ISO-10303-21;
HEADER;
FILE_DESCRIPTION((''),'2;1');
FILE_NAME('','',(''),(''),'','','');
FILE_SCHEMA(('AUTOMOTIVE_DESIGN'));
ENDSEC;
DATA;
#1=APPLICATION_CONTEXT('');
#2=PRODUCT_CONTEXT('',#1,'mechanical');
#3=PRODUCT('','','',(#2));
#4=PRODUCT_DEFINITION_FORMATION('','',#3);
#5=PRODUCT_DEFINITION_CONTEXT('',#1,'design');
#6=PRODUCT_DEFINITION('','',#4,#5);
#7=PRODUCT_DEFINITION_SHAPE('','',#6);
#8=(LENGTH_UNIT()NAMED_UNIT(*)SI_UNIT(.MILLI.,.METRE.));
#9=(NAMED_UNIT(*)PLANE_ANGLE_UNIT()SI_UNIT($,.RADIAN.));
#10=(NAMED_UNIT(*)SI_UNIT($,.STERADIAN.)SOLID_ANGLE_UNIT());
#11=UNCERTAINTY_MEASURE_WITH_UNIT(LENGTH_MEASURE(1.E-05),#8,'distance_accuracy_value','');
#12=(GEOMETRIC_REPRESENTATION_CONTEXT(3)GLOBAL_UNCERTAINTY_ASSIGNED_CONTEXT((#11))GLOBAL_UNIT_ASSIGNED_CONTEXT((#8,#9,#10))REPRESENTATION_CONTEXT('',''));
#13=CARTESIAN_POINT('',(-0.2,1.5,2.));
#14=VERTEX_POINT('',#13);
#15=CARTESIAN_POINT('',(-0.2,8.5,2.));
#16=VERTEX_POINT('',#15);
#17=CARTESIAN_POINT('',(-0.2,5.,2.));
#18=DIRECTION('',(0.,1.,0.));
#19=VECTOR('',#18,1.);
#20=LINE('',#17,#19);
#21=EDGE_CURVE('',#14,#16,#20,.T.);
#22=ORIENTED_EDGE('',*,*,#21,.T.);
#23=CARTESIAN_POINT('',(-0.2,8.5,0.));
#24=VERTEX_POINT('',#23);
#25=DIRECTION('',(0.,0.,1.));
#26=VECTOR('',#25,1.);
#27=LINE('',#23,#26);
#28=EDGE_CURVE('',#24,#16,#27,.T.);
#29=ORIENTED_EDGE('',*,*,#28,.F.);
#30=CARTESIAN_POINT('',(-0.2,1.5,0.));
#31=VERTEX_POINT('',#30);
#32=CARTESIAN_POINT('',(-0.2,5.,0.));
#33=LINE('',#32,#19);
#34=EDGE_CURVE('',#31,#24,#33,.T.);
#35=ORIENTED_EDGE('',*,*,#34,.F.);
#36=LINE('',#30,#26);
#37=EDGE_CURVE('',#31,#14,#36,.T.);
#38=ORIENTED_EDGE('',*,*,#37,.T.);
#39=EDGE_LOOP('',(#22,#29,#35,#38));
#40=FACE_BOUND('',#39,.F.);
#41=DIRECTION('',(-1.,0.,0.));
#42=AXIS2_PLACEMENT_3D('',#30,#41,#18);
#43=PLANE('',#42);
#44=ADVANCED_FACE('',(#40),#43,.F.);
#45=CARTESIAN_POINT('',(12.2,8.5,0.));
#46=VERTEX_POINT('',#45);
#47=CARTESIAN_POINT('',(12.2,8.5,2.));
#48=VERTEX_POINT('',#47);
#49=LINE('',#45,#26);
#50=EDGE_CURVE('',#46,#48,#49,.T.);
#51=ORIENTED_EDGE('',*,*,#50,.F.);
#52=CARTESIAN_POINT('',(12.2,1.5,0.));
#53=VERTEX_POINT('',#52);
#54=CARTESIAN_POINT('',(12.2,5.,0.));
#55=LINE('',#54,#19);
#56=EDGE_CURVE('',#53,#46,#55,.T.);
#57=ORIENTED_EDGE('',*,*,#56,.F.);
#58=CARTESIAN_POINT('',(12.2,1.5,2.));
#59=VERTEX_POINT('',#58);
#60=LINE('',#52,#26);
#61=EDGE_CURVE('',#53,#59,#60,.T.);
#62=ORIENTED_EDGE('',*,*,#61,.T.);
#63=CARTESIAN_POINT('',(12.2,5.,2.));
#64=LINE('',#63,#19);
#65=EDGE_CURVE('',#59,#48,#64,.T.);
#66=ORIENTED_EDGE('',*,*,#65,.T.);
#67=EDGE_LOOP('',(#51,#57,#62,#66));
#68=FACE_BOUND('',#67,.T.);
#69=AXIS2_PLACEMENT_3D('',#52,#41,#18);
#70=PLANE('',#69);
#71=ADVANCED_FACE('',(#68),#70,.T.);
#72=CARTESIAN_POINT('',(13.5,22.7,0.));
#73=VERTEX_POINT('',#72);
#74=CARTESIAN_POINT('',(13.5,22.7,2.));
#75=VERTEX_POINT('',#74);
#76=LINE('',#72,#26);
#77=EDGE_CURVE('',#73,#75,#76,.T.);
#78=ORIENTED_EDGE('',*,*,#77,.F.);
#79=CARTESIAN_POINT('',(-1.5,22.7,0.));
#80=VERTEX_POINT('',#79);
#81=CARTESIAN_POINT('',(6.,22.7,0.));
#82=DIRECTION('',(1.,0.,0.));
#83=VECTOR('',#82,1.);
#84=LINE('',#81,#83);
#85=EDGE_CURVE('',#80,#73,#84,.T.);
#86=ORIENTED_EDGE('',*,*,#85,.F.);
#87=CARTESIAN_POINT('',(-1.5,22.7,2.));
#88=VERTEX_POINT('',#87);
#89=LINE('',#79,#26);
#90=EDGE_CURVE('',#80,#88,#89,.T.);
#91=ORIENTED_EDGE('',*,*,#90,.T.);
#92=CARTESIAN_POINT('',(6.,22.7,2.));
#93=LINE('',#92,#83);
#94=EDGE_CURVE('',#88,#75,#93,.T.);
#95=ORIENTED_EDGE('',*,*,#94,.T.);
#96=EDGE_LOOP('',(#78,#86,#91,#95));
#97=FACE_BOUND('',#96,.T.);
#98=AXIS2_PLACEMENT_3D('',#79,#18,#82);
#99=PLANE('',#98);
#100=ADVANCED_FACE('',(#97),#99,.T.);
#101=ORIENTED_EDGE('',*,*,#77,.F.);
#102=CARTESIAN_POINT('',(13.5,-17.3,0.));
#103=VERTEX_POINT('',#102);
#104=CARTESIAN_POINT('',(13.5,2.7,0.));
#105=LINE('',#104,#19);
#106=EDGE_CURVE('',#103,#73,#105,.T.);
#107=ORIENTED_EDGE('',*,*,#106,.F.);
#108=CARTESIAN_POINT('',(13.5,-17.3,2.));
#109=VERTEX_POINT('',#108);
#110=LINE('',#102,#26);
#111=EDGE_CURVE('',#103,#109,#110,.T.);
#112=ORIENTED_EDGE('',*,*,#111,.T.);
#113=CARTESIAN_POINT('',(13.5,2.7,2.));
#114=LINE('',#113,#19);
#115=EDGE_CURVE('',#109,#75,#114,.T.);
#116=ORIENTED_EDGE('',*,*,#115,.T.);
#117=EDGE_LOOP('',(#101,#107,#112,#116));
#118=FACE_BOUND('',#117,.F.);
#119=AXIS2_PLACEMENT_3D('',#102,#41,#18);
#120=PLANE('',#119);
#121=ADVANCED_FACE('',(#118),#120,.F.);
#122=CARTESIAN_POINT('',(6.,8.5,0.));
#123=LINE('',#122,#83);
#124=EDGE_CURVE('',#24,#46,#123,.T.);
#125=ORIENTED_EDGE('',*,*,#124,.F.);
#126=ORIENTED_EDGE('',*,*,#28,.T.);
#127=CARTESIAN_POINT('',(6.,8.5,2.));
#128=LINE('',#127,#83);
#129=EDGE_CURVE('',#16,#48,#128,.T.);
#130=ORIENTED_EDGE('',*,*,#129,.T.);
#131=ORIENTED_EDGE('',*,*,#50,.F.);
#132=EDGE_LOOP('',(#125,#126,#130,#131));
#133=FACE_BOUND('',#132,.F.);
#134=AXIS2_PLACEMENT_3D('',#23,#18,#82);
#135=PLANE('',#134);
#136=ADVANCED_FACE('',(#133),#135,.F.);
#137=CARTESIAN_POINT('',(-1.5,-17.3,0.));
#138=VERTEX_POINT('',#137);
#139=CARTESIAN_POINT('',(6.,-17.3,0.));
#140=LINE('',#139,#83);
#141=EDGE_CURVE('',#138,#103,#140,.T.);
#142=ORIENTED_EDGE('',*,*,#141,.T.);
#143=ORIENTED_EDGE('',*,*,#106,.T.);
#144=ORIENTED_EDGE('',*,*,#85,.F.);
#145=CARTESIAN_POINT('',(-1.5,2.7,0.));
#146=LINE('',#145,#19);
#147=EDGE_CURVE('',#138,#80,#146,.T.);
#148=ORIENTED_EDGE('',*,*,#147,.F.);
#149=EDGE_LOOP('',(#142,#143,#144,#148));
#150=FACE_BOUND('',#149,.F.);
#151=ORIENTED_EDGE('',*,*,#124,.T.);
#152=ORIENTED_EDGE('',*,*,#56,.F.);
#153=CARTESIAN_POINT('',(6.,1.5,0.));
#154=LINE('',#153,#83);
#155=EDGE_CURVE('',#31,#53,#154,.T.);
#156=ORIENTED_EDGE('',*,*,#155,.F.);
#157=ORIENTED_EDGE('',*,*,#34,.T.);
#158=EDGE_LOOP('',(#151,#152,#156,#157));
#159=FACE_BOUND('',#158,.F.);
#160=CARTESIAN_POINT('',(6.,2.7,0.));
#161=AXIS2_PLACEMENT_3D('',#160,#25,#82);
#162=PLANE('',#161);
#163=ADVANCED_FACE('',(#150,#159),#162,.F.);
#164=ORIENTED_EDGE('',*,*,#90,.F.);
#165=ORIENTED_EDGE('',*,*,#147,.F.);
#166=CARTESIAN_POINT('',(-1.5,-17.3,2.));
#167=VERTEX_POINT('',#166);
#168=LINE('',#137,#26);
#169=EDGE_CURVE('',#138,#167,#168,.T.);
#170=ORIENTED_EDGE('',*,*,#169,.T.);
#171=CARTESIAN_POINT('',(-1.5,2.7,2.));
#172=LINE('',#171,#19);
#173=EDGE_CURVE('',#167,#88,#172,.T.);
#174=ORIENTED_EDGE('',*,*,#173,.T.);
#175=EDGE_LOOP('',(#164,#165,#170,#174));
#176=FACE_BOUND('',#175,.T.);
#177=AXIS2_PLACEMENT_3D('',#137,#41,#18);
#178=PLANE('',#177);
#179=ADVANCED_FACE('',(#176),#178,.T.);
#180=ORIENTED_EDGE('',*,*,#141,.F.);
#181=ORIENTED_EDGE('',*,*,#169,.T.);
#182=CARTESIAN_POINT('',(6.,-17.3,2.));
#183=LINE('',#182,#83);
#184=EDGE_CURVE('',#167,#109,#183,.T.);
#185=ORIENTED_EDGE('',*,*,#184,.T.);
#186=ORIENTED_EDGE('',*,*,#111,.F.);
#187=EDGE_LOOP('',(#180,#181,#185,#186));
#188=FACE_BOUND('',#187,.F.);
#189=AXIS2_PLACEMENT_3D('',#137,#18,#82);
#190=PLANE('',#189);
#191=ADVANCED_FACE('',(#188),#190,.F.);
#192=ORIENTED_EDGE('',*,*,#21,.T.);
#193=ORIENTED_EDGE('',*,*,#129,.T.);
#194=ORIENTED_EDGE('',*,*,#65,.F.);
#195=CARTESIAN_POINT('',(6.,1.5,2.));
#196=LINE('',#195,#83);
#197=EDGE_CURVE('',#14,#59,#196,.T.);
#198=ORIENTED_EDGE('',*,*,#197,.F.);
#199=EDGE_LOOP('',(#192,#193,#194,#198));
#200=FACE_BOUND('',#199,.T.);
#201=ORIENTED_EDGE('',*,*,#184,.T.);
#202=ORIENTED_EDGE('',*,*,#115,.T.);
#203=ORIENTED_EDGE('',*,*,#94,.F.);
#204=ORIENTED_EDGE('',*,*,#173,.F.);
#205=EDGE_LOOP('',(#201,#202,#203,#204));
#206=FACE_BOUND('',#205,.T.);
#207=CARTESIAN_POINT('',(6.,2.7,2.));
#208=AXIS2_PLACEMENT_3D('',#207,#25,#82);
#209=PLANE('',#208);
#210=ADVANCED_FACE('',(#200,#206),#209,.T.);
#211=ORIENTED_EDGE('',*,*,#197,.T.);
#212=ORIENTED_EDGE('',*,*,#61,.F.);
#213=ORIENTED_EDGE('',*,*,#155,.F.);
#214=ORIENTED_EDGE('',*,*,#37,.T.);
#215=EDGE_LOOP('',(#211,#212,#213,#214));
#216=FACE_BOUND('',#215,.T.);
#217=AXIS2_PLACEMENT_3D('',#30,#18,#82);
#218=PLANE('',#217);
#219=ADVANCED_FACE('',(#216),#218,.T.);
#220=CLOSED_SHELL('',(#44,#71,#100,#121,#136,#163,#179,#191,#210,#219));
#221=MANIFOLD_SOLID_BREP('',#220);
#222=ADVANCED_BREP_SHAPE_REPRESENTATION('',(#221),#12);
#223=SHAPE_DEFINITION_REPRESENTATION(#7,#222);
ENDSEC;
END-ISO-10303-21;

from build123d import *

# Parameters (mm, degrees)
BOX004_W     = 12.4
BOX004_H     = 7
BOX004_DEPTH = 2
BOX003_W     = 15
BOX003_H     = 40
BOX003_DEPTH = 2


with BuildPart() as cube004:
    # Box004 → Box004 (new body)
    with BuildSketch(Plane(origin=(-0.2, 1.5, 0), x_dir=(1, 0, 0), z_dir=(0, 0, 1))):
        with Locations((6.2, 3.5)):
            Rectangle(BOX004_W, BOX004_H)
    extrude(amount=BOX004_DEPTH)


with BuildPart() as trafficlightconnbottomcover:
    # Box003 → Box003 (new body)
    with BuildSketch(Plane(origin=(-1.5, -17.3, 0), x_dir=(1, 0, 0), z_dir=(0, 0, 1))):
        with Locations((7.5, 20)):
            Rectangle(BOX003_W, BOX003_H)
    extrude(amount=BOX003_DEPTH)

    # Cut006: cut Cube004
    add(cube004.part, mode=Mode.SUBTRACT)


solid = trafficlightconnbottomcover.part
